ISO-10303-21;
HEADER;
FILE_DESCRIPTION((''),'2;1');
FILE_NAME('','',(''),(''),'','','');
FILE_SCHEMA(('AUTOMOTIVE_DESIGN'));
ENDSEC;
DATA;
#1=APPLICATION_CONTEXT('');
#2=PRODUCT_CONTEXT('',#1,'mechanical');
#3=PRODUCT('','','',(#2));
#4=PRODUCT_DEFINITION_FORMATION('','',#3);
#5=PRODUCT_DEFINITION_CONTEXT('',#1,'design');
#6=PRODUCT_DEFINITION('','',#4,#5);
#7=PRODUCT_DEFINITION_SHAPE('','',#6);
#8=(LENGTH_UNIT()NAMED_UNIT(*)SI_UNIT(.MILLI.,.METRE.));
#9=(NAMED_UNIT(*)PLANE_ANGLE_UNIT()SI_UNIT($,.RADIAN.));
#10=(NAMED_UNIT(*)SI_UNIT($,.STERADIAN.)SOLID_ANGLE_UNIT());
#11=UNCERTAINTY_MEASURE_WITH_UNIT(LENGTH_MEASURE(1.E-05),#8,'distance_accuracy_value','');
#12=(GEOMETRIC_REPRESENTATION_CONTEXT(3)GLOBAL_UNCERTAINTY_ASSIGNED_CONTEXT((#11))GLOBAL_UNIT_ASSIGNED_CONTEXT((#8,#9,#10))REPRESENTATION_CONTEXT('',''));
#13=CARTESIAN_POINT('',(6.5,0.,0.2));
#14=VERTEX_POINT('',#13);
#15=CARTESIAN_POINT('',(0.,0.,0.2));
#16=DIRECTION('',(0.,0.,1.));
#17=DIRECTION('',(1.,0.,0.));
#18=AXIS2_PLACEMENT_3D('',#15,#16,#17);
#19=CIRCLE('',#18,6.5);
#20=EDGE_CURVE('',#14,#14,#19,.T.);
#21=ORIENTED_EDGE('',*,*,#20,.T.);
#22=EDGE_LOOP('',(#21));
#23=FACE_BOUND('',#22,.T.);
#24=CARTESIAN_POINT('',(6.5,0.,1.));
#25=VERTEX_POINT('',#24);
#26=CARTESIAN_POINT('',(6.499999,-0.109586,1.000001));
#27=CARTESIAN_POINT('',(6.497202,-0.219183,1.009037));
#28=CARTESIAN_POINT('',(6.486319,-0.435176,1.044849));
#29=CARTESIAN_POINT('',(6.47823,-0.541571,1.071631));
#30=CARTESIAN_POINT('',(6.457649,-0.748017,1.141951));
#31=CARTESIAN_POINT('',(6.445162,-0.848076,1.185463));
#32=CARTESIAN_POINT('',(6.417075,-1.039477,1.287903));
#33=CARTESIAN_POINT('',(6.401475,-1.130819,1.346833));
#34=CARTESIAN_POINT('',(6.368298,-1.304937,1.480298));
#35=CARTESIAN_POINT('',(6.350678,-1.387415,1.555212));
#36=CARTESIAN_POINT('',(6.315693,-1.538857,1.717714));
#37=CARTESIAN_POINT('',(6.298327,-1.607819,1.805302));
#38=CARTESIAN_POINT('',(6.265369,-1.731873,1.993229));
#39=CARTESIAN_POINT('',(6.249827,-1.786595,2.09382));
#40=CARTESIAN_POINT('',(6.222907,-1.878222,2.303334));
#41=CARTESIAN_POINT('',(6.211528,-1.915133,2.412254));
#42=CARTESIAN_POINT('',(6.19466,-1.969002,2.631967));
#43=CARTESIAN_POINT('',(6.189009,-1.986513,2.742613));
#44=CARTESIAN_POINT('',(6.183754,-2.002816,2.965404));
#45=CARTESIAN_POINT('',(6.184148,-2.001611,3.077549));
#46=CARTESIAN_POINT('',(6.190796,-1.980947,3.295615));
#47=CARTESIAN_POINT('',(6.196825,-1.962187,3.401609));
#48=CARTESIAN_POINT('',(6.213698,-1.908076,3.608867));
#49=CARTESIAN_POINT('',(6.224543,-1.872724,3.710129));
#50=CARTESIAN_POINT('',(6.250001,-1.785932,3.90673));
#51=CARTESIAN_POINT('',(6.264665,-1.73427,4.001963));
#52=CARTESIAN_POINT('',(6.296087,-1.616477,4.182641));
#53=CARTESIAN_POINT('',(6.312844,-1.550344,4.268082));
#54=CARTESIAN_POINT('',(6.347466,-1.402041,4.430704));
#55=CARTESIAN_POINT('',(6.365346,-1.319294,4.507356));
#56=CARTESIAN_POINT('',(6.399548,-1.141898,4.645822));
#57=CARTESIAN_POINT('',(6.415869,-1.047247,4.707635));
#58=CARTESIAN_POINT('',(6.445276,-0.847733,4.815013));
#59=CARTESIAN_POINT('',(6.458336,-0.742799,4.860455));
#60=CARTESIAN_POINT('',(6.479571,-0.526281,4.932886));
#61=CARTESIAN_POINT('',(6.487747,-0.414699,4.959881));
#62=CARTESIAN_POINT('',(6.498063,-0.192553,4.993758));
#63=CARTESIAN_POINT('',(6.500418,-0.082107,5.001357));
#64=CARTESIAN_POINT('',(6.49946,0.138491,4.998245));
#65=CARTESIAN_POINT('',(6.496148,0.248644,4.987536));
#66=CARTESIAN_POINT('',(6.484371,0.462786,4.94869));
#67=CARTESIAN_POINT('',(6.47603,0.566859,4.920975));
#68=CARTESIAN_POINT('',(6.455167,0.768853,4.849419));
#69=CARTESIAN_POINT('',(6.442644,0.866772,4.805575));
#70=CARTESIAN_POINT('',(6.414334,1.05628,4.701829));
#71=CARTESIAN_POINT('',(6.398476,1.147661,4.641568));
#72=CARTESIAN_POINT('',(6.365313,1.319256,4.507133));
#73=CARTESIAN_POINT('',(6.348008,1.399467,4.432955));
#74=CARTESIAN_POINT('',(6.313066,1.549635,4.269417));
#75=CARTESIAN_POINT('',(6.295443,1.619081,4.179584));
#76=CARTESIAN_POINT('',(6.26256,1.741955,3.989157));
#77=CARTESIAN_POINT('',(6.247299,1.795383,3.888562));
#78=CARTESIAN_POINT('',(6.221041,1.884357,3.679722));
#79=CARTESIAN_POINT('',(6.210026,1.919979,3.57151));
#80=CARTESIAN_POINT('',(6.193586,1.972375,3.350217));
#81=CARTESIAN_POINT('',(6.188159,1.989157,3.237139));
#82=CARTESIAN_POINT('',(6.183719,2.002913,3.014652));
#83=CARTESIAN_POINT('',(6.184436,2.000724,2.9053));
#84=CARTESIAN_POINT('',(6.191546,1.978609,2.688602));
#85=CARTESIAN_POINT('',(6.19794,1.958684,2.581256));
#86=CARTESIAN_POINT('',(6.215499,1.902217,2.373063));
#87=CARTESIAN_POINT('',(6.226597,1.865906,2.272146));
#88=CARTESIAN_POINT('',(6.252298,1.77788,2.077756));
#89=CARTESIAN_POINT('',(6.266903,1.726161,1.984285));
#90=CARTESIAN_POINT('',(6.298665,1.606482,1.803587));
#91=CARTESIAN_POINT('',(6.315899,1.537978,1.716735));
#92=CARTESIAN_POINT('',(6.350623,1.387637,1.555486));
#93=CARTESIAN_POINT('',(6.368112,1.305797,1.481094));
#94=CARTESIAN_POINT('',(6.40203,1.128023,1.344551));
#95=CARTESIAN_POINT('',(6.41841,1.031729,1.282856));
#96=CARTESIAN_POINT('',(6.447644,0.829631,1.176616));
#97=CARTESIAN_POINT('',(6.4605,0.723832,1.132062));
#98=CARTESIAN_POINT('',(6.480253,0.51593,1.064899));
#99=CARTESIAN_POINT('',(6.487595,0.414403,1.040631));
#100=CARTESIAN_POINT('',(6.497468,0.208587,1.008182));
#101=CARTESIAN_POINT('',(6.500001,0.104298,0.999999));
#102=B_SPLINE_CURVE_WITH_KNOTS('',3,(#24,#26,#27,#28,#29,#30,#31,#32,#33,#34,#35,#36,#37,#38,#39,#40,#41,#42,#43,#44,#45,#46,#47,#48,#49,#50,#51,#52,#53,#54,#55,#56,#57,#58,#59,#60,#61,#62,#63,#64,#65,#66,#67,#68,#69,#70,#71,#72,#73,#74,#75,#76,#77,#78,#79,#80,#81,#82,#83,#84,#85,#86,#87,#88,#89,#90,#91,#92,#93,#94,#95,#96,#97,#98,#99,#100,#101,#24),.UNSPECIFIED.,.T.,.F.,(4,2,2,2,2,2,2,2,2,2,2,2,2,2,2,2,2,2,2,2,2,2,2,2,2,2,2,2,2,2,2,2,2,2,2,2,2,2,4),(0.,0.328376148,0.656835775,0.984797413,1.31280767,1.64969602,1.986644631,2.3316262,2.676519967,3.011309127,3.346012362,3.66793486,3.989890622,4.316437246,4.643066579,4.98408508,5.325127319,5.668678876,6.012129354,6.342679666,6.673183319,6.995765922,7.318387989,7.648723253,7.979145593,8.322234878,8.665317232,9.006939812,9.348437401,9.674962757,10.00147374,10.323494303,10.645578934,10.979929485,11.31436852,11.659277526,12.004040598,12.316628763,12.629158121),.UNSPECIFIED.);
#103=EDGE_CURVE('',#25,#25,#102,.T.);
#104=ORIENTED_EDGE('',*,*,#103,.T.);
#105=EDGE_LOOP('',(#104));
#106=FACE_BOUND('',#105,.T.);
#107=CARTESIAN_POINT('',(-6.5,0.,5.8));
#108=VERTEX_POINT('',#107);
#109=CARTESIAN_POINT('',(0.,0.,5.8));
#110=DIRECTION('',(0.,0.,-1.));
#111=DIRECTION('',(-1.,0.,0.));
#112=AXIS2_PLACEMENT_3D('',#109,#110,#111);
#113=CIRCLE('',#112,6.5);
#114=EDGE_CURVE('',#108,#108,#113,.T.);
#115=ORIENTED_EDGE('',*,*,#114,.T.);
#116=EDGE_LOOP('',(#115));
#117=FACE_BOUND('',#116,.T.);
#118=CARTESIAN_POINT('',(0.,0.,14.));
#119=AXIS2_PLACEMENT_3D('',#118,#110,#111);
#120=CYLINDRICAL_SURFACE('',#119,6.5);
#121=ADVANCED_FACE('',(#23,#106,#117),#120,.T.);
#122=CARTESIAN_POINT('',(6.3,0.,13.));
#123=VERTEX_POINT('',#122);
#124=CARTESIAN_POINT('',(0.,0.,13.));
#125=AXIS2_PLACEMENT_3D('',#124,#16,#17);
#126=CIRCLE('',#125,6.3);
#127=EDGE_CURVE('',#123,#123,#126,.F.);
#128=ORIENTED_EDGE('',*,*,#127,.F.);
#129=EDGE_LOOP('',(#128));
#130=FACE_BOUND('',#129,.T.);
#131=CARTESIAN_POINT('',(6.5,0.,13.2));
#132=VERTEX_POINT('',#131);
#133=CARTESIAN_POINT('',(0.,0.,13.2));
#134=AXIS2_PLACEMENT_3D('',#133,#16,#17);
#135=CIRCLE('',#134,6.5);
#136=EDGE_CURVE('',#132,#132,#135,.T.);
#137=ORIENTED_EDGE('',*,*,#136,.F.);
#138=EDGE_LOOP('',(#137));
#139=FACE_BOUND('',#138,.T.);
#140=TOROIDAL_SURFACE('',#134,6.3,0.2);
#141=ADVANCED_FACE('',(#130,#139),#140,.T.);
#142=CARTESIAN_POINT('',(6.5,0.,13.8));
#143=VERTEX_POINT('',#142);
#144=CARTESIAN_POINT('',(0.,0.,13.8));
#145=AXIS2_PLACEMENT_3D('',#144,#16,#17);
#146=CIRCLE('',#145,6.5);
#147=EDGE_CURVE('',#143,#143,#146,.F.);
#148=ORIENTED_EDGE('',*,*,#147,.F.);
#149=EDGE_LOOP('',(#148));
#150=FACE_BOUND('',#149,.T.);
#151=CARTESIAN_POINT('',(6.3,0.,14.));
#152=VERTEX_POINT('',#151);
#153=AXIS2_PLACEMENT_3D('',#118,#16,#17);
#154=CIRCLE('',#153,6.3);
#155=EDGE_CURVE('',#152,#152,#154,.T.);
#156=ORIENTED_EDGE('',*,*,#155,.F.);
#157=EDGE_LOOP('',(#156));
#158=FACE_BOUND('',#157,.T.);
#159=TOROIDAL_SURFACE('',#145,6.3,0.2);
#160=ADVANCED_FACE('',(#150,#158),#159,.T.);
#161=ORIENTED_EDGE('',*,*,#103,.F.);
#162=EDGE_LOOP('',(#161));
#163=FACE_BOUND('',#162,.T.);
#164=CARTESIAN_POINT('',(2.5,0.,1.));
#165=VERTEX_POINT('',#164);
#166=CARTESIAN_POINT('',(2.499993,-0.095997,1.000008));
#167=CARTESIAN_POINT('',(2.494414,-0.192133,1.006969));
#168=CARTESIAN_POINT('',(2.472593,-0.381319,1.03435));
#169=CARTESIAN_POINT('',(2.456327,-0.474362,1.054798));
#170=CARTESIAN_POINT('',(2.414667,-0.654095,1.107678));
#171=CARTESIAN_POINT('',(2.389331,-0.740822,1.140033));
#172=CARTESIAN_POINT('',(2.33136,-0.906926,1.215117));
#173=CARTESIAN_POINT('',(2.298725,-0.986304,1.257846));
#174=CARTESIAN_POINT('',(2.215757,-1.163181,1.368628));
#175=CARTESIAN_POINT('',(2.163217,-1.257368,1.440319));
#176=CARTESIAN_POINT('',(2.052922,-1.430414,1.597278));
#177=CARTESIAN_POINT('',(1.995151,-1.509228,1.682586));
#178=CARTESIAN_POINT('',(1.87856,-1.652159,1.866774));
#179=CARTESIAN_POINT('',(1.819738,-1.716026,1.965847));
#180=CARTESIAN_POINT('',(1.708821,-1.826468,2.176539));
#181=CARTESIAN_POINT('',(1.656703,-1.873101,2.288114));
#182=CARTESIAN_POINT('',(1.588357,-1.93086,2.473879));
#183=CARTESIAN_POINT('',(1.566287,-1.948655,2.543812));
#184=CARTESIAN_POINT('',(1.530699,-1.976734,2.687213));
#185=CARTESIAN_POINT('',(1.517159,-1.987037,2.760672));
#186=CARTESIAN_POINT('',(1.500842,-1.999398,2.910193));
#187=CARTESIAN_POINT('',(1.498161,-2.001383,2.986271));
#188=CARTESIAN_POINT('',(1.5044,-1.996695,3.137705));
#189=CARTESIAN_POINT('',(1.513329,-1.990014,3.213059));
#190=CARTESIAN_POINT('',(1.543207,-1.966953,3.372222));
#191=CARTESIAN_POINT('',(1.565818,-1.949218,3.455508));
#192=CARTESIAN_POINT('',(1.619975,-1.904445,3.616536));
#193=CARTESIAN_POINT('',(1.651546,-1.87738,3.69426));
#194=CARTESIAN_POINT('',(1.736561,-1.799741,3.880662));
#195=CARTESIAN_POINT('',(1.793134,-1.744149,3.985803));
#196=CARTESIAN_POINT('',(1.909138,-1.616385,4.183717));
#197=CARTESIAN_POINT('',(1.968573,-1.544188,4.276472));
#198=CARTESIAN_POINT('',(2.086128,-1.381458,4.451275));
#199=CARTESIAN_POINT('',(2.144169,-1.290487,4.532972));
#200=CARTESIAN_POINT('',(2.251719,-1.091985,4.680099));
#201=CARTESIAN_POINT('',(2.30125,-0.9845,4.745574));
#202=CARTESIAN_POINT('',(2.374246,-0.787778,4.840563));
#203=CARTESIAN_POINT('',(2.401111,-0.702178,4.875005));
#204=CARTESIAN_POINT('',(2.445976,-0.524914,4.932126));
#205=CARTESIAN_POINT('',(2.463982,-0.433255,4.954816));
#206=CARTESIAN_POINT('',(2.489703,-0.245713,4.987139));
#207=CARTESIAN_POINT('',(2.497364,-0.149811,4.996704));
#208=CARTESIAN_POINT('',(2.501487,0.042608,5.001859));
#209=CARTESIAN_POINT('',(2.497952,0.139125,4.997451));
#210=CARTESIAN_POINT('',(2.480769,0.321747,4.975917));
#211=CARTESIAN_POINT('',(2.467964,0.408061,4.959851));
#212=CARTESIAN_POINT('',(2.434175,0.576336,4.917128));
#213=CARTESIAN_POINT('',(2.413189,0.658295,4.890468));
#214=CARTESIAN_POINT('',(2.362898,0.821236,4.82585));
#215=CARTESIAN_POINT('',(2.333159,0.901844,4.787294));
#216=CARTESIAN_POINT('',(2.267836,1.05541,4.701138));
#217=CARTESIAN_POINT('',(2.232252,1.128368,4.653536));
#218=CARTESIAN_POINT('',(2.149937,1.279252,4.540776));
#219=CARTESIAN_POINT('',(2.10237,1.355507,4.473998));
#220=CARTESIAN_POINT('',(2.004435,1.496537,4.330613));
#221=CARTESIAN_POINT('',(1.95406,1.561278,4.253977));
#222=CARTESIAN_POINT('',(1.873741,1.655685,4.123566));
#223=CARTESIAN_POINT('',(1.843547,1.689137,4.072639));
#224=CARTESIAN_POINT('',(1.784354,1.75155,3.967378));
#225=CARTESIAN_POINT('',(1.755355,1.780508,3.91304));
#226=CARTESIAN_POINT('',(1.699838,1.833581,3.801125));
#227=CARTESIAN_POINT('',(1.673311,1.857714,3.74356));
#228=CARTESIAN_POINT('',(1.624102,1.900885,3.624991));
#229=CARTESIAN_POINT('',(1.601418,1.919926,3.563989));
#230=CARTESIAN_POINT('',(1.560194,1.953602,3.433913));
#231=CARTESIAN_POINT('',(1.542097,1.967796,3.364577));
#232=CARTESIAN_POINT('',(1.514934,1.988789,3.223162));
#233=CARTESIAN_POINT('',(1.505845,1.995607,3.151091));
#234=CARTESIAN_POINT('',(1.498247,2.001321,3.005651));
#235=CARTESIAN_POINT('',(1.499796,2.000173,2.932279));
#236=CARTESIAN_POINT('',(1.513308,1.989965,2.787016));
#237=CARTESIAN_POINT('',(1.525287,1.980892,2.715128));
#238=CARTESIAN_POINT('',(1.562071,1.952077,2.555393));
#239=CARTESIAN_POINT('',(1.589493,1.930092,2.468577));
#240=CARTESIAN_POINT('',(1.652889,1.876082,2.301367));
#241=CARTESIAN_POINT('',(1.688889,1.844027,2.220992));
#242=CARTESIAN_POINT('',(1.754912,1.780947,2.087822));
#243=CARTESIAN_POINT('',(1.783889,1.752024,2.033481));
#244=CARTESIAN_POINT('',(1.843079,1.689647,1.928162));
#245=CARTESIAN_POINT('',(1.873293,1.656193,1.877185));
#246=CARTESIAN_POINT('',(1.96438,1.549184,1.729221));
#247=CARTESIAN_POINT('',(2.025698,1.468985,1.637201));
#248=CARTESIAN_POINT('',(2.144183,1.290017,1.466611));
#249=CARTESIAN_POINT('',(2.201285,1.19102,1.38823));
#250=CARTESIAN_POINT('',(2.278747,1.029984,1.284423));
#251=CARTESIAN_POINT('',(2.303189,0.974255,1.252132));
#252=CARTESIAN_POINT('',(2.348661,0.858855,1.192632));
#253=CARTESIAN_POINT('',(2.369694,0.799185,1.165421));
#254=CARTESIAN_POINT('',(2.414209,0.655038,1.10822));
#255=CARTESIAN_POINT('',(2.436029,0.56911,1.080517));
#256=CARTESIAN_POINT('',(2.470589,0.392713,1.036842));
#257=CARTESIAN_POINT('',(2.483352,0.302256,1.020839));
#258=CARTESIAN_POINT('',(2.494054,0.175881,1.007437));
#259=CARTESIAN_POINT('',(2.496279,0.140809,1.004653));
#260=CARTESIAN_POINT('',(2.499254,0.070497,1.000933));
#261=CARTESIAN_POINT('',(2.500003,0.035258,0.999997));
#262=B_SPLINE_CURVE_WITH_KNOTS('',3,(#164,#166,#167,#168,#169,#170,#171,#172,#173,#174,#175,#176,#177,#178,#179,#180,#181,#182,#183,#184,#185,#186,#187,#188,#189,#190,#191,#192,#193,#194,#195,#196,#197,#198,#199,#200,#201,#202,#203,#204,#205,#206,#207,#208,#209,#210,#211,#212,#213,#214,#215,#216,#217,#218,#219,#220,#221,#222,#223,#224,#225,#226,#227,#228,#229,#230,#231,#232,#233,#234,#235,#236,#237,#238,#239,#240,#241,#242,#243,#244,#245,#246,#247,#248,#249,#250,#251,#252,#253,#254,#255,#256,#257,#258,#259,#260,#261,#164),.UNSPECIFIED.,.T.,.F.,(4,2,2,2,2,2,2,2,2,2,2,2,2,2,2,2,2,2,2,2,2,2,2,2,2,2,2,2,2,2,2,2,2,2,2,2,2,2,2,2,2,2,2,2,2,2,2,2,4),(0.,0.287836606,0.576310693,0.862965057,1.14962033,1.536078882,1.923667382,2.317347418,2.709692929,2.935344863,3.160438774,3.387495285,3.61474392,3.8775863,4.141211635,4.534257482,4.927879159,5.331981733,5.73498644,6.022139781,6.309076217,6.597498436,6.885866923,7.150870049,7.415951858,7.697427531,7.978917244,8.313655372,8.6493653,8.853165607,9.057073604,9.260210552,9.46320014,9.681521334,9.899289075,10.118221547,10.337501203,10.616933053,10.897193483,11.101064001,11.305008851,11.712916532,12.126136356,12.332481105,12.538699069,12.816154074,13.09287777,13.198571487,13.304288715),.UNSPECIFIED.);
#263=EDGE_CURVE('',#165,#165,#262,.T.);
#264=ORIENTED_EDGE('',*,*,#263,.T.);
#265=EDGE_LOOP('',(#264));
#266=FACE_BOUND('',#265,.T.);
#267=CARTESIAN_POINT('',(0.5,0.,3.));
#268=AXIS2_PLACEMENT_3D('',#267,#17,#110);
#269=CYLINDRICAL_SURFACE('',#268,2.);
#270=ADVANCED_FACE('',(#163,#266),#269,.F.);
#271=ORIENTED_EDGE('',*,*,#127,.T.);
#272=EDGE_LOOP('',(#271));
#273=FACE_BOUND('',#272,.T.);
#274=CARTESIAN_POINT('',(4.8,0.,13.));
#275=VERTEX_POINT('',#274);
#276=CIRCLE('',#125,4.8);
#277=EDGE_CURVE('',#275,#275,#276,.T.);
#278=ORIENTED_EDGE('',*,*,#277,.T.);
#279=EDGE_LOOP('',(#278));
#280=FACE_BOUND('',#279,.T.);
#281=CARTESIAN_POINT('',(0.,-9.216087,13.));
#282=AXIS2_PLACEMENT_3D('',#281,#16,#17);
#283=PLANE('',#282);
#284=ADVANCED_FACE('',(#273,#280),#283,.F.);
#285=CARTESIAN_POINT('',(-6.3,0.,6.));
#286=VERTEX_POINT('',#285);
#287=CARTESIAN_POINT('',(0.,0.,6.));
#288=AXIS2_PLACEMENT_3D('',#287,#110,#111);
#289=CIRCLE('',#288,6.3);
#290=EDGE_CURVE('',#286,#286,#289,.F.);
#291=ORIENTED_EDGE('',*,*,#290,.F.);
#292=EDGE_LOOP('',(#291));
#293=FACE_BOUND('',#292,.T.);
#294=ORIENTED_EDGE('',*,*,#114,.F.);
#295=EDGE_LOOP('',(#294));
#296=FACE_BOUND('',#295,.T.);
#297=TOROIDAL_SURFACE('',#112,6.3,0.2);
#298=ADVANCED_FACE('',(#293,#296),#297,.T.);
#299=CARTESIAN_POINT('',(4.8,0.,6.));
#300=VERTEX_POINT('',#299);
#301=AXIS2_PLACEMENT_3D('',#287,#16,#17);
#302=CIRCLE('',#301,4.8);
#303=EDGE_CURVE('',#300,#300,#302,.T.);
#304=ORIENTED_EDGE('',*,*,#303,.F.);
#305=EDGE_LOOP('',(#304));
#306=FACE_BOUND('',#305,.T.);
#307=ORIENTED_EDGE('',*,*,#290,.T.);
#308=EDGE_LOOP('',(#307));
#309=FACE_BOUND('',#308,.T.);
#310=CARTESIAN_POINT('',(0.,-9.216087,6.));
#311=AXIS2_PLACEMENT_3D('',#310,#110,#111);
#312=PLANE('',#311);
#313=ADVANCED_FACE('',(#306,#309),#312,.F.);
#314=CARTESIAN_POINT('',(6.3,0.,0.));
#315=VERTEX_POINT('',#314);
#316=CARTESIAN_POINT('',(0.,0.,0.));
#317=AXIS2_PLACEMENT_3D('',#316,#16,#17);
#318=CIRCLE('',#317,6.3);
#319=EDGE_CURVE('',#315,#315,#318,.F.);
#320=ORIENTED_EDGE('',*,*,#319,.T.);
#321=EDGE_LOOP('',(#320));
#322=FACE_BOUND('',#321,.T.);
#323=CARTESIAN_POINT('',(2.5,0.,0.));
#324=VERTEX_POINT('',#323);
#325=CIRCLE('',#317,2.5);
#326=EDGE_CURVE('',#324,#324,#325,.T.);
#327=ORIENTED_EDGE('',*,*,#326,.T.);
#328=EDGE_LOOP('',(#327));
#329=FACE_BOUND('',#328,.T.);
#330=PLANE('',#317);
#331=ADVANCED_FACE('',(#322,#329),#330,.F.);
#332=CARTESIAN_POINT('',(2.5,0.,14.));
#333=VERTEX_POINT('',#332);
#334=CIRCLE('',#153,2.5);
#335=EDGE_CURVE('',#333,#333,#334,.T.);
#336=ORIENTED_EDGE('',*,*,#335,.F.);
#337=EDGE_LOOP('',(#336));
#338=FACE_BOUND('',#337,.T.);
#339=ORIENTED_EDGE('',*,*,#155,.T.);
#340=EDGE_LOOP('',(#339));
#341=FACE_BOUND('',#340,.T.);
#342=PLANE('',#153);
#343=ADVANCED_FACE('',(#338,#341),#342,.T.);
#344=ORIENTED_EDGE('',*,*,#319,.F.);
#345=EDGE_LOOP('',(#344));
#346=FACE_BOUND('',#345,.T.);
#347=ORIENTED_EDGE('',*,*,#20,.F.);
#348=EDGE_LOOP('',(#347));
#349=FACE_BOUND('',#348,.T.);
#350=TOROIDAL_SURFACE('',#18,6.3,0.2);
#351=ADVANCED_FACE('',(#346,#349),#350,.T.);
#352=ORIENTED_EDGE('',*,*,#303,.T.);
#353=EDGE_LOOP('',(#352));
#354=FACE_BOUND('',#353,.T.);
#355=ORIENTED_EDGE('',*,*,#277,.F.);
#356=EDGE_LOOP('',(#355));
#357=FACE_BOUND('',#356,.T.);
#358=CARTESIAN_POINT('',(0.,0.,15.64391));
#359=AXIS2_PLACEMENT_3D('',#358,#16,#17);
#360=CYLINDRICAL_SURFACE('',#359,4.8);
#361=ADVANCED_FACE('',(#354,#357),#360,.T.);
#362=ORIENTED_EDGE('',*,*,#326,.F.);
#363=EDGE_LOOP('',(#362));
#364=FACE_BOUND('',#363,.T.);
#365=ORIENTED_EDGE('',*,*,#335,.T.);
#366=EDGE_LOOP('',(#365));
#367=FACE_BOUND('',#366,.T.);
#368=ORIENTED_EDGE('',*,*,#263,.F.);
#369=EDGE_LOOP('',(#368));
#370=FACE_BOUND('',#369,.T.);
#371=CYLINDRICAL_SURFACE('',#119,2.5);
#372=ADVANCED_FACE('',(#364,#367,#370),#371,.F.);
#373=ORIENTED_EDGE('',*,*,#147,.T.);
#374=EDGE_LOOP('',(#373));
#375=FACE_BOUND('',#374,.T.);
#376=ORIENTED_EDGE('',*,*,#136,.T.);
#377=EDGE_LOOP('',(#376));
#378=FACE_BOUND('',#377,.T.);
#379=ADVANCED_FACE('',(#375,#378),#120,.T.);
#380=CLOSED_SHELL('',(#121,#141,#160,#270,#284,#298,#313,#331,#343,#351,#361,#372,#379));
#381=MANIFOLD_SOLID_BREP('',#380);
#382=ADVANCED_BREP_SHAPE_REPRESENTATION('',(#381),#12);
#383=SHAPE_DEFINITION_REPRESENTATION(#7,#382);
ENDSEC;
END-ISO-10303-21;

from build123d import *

# Parameters (mm, degrees)
SKETCH1_R           = 6.5
SKETCH1_R_2         = 2.5
BOSS_EXTRUDE1_DEPTH = 14
SKETCH2_W           = 7
SKETCH2_H           = 4.416086924
FILLET2_R           = 0.2
SKETCH4_R           = 2
CUT_EXTRUDE1_DEPTH  = 6


with BuildPart() as part:
    # Sketch1 → Boss-Extrude1 (new body)
    with BuildSketch(Plane.XY):
        Circle(SKETCH1_R)
        Circle(SKETCH1_R_2, mode=Mode.SUBTRACT)
    extrude(amount=BOSS_EXTRUDE1_DEPTH)

    # Sketch2 → Cut-Revolve1 (revolve, cut)
    with BuildSketch(Plane(origin=(0, 0, 0), x_dir=(0, 0, -1), z_dir=(1, 0, 0)), mode=Mode.PRIVATE) as cut_revolve1_sk:
        with Locations((-9.5, -7.008043462)):
            Rectangle(SKETCH2_W, SKETCH2_H)
    revolve(cut_revolve1_sk.sketch.rotate(Axis((0, 0, 15.643909914), (0, 0, -1)), 270), axis=Axis((0, 0, 15.643909914), (0, 0, -1)), mode=Mode.SUBTRACT)

    # Fillet2
    fillet2_edges = [part.edges().sort_by_distance(p)[0] for p in [
        (-6.5, 0, 13),
        (-6.5, 0, 6),
        (-6.5, 0, 0),
        (-6.5, 0, 14),
    ]]
    fillet(fillet2_edges, radius=FILLET2_R)

    # Sketch4 → Cut-Extrude1 (cut)
    with BuildSketch(Plane(origin=(6.5, 0, 0), x_dir=(0, 0, -1), z_dir=(1, 0, 0))):
        with Locations((-3, 0)):
            Circle(SKETCH4_R)
    extrude(amount=-CUT_EXTRUDE1_DEPTH, mode=Mode.SUBTRACT)


solid = part.part
